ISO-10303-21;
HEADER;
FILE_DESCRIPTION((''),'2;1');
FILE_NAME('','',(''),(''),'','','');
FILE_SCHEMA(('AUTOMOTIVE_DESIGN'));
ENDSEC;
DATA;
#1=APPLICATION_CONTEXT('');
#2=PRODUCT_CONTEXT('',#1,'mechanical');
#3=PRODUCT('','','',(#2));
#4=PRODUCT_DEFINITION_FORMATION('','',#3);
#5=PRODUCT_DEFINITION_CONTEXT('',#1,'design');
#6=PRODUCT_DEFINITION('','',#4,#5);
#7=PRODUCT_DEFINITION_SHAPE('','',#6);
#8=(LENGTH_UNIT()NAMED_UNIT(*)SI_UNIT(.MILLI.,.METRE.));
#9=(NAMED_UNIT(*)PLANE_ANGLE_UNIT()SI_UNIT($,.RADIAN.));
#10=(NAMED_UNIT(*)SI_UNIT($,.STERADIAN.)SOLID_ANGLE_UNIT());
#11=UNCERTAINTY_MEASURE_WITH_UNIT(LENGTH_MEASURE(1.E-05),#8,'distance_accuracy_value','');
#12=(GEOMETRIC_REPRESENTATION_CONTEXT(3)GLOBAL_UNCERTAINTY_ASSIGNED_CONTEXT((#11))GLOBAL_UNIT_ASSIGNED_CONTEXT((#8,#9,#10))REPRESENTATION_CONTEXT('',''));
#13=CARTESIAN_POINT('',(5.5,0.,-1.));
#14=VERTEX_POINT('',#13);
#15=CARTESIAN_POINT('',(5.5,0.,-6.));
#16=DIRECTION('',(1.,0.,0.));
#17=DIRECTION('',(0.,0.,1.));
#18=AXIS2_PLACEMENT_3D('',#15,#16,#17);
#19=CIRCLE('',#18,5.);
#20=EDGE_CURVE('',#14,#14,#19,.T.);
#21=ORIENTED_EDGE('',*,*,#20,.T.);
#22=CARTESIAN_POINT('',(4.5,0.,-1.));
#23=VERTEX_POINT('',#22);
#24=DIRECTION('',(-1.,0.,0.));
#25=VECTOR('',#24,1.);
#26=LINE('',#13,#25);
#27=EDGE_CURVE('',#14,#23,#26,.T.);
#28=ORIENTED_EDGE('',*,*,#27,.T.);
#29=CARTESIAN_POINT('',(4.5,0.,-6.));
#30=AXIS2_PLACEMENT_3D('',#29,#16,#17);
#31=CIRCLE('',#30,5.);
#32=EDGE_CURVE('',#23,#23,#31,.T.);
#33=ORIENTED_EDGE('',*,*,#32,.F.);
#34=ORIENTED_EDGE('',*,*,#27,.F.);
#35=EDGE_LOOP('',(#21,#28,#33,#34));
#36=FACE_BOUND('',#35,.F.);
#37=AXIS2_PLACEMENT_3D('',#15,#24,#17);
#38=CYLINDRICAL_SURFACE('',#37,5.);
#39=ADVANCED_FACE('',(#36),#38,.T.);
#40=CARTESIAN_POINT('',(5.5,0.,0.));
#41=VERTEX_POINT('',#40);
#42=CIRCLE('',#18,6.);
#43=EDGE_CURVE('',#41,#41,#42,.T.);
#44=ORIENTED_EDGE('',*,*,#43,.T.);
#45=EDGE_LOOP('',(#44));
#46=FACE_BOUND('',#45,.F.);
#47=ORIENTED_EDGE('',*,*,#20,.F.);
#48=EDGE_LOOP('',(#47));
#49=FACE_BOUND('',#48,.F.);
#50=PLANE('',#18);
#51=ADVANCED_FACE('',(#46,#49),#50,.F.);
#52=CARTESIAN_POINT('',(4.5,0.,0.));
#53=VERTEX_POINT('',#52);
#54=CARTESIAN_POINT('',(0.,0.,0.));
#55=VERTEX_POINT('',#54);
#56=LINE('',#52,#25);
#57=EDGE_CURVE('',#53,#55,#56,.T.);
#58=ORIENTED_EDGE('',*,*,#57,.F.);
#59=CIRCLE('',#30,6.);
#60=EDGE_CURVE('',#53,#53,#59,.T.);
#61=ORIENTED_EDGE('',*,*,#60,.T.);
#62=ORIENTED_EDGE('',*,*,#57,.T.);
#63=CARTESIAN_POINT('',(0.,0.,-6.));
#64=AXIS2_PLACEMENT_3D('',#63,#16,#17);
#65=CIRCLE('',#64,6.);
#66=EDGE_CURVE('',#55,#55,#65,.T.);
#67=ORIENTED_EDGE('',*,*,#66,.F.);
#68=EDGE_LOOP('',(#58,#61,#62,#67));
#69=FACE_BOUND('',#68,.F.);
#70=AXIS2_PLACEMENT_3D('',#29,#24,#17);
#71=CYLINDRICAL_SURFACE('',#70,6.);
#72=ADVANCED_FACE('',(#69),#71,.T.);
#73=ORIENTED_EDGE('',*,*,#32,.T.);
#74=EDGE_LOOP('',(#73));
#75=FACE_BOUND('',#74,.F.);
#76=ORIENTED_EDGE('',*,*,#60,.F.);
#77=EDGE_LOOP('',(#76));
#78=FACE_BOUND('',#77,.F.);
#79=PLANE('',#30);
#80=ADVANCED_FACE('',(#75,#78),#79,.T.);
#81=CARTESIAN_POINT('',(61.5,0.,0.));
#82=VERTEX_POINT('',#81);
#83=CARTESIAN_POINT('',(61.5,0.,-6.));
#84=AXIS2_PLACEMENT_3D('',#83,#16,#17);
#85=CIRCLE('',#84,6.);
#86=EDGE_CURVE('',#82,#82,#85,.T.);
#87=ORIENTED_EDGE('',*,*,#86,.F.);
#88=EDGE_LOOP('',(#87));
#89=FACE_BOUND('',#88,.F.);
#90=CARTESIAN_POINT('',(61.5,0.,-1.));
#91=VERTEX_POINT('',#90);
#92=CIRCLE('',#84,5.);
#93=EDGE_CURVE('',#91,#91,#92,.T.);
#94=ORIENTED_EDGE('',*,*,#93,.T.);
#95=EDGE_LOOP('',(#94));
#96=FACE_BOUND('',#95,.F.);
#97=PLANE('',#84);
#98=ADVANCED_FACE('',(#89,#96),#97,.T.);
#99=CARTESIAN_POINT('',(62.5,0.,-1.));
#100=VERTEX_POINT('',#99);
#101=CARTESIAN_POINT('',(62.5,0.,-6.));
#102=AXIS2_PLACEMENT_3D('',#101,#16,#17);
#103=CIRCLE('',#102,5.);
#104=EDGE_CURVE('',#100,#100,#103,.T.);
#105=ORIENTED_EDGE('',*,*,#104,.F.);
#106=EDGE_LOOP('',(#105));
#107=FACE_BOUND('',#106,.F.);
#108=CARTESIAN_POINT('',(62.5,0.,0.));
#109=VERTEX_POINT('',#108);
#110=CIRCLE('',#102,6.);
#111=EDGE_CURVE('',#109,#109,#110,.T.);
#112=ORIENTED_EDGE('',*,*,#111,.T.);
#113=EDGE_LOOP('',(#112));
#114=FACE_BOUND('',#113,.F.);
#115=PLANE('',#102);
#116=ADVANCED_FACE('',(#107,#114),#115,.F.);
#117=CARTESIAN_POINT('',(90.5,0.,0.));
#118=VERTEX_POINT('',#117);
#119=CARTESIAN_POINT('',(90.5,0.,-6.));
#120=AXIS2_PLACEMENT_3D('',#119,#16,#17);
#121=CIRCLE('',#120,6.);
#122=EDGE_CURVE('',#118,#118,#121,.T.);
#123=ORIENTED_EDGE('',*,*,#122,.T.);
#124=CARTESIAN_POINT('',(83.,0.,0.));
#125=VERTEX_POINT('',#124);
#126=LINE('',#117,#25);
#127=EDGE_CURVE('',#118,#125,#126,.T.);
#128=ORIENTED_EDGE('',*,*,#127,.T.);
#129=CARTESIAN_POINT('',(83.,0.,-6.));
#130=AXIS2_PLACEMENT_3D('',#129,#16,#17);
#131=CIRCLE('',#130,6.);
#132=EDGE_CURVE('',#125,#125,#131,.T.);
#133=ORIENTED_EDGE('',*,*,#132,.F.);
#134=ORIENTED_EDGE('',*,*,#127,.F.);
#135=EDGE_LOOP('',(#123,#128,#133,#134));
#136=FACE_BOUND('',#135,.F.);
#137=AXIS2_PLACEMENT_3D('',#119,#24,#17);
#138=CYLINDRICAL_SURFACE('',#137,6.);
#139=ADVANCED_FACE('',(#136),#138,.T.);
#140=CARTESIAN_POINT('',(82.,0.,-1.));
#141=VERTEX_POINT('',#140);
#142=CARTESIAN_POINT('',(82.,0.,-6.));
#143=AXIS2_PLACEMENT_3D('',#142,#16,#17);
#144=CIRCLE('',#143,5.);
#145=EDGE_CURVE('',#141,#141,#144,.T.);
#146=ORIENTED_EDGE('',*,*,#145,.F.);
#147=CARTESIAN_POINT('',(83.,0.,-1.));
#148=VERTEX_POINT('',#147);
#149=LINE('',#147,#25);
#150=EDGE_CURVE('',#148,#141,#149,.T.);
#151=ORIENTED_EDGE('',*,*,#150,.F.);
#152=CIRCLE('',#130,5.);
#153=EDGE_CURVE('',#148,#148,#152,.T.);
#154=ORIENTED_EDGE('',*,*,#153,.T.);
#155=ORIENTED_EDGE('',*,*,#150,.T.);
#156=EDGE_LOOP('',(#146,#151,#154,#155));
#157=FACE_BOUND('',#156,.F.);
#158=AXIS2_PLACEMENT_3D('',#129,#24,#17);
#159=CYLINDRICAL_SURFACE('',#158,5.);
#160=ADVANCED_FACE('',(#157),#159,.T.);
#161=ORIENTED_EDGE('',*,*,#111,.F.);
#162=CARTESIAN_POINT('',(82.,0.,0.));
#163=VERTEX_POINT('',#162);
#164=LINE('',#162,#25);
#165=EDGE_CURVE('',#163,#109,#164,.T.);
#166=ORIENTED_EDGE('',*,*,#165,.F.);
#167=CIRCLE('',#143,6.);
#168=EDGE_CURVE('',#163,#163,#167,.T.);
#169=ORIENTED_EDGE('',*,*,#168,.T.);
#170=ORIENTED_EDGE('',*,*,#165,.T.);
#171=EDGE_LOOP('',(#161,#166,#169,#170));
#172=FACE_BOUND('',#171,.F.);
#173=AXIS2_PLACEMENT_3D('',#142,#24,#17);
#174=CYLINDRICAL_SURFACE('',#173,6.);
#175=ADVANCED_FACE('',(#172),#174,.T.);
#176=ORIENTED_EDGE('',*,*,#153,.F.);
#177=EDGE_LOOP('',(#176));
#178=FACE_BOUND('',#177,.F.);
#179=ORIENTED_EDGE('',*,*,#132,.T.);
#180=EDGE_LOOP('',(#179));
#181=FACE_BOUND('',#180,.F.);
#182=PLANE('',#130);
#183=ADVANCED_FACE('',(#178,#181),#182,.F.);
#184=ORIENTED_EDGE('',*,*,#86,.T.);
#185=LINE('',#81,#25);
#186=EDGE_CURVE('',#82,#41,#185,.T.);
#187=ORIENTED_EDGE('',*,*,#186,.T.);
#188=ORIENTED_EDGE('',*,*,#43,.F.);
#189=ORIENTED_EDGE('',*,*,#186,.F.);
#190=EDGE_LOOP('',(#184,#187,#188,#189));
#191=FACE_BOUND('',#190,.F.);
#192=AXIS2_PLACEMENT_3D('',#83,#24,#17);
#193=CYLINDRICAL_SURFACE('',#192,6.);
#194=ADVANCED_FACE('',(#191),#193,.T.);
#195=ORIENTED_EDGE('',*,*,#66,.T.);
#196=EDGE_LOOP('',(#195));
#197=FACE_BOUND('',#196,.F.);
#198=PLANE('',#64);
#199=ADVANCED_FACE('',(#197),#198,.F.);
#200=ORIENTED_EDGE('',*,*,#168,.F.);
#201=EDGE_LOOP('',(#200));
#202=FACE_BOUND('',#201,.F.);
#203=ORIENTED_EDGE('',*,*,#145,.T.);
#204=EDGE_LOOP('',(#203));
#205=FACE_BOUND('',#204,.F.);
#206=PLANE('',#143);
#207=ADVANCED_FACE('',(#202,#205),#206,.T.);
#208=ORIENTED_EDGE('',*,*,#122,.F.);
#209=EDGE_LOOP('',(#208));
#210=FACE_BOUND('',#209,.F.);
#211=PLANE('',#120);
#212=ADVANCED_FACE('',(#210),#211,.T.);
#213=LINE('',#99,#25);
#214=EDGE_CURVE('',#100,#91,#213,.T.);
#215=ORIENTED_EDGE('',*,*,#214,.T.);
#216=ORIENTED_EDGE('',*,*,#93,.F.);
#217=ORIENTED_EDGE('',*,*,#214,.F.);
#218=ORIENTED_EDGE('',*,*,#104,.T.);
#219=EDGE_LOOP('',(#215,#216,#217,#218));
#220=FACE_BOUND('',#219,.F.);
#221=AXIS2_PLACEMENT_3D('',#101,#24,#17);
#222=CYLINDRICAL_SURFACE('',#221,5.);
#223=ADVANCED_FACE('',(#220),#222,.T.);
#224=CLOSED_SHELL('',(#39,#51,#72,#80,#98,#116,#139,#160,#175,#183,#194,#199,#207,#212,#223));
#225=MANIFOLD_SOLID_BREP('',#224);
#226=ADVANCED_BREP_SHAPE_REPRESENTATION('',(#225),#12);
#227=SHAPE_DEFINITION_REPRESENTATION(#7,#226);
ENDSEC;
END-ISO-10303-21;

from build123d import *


with BuildPart() as f1:
    # F0 (on Front) → F1 (revolve)
    with BuildSketch(Plane.XZ):
        Polygon((90.5, -6), (90.5, 0), (83, 0), (83, -1), (82, -1), (82, 0), (64.5, 0), (62.5, 0), (62.5, -1), (61.5, -1), (61.5, 0), (5.5, 0), (5.5, -1), (4.5, -1), (4.5, 0), (0, 0), (0, -6), align=None)
    revolve(axis=Axis((47.474664, 0, -6), (1, 0, 0)))


solid = f1.part
